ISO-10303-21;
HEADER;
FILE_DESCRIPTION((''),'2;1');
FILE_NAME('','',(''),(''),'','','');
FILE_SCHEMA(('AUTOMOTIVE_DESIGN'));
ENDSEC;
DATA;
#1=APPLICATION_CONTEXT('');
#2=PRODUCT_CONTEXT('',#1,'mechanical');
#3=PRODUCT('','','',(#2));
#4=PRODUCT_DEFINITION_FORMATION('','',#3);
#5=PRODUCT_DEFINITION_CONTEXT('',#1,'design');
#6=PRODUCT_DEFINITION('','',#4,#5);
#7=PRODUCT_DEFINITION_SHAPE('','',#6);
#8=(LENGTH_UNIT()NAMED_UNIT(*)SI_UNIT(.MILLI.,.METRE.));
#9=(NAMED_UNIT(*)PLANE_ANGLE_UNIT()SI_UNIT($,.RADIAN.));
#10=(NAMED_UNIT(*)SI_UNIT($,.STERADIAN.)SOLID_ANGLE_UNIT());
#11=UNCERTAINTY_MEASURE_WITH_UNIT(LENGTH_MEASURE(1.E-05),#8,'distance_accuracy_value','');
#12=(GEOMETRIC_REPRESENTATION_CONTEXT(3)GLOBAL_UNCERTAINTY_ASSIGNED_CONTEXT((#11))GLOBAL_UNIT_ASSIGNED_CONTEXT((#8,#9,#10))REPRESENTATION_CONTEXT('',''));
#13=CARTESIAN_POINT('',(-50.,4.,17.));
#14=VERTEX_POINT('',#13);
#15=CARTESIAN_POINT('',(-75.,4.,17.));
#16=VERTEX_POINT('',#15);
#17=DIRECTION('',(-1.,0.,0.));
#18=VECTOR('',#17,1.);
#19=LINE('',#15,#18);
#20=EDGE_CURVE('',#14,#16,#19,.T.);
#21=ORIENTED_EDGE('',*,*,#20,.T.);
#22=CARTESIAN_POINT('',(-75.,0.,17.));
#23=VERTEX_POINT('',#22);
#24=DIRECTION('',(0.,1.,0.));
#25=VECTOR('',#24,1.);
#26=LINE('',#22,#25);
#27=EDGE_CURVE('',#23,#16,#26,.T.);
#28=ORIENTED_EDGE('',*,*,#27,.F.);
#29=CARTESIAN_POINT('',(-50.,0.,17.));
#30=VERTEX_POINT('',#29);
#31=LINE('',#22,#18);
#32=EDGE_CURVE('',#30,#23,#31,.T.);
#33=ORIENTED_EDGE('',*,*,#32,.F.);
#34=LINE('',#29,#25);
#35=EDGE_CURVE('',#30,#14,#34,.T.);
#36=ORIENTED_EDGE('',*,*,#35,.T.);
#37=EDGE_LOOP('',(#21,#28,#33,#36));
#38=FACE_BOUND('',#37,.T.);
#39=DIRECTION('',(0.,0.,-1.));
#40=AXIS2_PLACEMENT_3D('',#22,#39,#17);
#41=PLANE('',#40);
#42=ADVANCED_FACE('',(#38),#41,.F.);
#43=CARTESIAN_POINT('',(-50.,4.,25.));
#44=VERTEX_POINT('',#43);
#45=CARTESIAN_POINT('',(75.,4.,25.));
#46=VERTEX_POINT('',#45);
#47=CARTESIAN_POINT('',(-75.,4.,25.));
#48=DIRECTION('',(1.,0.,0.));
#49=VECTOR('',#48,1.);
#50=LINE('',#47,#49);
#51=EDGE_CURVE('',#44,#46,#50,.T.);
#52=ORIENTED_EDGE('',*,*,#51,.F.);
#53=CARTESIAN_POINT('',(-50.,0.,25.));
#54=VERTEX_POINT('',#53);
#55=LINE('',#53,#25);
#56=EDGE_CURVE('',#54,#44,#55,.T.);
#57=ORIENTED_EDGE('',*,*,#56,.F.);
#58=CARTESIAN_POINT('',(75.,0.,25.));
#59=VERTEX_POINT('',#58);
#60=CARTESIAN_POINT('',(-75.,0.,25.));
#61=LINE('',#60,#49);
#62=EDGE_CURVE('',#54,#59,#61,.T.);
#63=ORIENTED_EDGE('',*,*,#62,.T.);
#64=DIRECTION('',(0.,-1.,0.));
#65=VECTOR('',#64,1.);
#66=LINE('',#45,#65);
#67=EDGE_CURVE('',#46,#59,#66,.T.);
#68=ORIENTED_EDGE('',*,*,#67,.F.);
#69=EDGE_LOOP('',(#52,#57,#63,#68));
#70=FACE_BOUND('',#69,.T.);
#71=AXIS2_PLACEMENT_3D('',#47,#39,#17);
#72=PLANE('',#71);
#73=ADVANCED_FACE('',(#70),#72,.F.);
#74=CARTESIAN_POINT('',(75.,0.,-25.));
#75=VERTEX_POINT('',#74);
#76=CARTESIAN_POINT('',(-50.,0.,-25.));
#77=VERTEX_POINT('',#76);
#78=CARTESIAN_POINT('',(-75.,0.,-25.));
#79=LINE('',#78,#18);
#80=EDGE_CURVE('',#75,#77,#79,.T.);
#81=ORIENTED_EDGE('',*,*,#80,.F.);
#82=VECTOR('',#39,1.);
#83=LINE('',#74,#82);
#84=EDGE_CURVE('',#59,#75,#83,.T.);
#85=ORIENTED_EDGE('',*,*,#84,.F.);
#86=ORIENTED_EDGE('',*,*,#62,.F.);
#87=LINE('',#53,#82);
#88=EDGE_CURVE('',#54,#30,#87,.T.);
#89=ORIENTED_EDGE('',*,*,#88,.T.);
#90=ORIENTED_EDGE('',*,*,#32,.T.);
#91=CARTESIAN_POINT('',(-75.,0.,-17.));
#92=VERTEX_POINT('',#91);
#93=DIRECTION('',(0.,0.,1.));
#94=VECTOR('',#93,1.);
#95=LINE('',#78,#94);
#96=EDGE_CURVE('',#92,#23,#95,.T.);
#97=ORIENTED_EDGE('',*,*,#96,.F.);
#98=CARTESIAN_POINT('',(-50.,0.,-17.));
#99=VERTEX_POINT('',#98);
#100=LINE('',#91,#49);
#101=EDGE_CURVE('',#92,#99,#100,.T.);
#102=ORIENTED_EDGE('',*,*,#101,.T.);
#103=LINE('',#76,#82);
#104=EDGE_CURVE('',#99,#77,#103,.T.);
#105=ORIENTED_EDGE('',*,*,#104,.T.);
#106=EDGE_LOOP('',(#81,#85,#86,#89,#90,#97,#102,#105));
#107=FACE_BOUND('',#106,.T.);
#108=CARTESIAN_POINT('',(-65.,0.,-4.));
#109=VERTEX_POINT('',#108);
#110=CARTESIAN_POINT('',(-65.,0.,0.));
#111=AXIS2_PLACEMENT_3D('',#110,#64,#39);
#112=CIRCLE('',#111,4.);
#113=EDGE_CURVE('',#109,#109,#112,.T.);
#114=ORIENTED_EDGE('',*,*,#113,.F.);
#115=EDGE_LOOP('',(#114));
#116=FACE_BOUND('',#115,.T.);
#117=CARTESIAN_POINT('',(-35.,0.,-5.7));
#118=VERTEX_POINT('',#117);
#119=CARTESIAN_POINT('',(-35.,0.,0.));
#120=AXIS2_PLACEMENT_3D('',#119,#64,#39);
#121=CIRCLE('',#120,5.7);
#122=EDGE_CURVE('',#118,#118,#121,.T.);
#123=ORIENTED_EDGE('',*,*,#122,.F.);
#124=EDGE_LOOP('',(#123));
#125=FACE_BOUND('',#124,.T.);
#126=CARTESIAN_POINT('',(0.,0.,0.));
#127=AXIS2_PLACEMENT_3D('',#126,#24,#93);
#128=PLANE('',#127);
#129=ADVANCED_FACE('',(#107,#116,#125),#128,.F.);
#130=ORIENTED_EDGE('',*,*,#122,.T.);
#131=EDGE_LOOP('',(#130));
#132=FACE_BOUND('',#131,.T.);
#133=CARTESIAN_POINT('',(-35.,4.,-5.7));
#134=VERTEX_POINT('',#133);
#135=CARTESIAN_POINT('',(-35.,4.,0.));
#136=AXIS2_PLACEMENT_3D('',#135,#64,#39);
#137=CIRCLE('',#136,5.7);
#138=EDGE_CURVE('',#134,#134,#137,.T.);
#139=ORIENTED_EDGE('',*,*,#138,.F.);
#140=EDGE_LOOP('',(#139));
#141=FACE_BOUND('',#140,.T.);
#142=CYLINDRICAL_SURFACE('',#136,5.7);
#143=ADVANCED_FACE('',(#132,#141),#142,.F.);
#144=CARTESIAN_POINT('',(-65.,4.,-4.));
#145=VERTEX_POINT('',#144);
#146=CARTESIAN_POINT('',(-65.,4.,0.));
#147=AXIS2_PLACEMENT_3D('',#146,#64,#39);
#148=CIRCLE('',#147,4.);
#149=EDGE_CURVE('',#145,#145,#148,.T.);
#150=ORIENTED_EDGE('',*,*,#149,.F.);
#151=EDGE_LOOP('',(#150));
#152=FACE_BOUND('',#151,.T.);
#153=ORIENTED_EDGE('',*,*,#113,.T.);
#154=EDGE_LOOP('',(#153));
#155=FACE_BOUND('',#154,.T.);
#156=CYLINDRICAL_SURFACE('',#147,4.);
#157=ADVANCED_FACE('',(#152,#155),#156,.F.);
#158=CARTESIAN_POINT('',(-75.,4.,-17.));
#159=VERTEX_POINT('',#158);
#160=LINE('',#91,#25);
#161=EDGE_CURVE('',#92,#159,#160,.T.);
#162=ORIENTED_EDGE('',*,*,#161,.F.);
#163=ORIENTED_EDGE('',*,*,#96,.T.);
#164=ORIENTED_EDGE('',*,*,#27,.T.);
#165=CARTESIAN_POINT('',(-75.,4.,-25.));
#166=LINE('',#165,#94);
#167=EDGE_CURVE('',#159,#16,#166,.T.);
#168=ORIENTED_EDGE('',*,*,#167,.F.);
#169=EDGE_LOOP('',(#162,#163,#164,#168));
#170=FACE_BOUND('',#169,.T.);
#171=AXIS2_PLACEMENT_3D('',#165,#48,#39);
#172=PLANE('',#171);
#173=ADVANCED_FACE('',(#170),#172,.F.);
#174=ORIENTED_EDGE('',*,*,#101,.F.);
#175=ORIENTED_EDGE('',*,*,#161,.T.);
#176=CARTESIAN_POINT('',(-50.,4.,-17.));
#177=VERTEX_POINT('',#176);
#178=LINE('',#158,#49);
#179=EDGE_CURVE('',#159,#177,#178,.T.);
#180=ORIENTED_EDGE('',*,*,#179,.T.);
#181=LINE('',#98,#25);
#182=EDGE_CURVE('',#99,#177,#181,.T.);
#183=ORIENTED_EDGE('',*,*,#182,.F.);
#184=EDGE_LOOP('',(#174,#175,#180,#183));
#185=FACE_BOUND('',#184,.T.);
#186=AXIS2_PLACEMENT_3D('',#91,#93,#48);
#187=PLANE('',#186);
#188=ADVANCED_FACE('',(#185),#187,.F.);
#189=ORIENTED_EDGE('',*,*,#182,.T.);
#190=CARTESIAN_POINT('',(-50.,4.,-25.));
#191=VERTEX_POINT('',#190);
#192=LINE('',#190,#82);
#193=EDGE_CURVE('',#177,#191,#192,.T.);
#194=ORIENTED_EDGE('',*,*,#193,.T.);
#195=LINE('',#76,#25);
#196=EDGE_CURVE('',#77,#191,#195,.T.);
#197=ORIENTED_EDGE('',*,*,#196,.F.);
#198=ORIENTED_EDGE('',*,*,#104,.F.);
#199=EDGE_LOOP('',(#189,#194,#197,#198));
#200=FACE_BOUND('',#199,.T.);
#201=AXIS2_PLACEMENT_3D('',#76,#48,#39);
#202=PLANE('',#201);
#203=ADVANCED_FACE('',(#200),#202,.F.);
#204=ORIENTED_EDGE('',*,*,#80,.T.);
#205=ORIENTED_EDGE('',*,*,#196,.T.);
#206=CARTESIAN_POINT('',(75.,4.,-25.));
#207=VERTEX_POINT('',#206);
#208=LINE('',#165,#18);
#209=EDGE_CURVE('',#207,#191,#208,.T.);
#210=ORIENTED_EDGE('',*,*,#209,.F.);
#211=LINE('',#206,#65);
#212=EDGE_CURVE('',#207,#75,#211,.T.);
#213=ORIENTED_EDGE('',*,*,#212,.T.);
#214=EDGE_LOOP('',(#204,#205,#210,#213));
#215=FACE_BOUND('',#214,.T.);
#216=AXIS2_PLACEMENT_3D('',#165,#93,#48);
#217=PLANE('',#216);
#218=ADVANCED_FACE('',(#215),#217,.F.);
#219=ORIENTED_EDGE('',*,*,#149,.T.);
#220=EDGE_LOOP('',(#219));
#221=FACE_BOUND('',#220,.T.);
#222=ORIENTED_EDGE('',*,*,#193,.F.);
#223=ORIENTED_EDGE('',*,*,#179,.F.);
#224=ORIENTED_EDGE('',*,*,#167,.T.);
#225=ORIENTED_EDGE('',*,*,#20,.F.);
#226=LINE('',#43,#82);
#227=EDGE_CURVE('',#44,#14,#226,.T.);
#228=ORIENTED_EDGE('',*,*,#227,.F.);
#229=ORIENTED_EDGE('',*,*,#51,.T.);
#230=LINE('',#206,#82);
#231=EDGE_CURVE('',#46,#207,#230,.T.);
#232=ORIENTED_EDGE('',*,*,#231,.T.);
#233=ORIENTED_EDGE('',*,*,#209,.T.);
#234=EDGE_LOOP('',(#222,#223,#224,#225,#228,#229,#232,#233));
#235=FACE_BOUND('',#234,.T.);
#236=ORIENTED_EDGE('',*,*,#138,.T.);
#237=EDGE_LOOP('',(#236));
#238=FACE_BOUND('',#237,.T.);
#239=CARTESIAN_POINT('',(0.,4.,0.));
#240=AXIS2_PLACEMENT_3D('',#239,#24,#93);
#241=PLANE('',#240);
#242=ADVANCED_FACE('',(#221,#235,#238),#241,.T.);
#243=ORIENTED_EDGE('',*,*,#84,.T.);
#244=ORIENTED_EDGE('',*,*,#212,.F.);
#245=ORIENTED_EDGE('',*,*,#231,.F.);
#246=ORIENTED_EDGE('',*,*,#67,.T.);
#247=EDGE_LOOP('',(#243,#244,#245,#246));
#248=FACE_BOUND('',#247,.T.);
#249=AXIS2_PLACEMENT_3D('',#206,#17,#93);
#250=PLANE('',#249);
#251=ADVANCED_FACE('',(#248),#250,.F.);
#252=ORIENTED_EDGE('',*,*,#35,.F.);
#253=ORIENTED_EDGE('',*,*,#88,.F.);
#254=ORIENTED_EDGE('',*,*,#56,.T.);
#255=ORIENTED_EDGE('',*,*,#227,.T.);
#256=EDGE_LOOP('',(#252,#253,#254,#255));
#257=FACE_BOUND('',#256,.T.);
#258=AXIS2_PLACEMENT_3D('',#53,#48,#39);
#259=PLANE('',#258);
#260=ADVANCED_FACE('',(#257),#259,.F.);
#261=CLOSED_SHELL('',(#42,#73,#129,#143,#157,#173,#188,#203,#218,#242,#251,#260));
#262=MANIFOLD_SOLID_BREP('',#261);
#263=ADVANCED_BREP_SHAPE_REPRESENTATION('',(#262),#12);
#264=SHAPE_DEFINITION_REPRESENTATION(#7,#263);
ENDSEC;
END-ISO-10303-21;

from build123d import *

# Parameters (mm, degrees)
SKETCH1_W           = 150
SKETCH1_H           = 50
BOSS_EXTRUDE1_DEPTH = 4
SKETCH2_R           = 4
SKETCH2_R_2         = 5.7
CUT_EXTRUDE1_DEPTH  = 4
SKETCH3_W           = 25
SKETCH3_H           = 8
CUT_EXTRUDE2_DEPTH  = 4


with BuildPart() as part:
    # Sketch1 → Boss-Extrude1 (new body)
    with BuildSketch(Plane(origin=(0, 0, 0), x_dir=(1, 0, 0), z_dir=(0, 1, 0))):
        Rectangle(SKETCH1_W, SKETCH1_H)
    extrude(amount=BOSS_EXTRUDE1_DEPTH)

    # Sketch2 → Cut-Extrude1 (cut)
    with BuildSketch(Plane.XZ):
        with Locations(Location((-65, 0, 0), (0, 0, 270))):
            Circle(SKETCH2_R)
        with Locations(Location((-35, 0, 0), (0, 0, 270))):
            Circle(SKETCH2_R_2)
    extrude(amount=-CUT_EXTRUDE1_DEPTH, mode=Mode.SUBTRACT)

    # Sketch3 → Cut-Extrude2 (cut)
    with BuildSketch(Plane(origin=(0, 4, 0), x_dir=(1, 0, 0), z_dir=(0, 1, 0))):
        with Locations((-62.5, 21)):
            Rectangle(SKETCH3_W, SKETCH3_H)
        with Locations((-62.5, -21)):
            Rectangle(SKETCH3_W, SKETCH3_H)
    extrude(amount=-CUT_EXTRUDE2_DEPTH, mode=Mode.SUBTRACT)


solid = part.part
